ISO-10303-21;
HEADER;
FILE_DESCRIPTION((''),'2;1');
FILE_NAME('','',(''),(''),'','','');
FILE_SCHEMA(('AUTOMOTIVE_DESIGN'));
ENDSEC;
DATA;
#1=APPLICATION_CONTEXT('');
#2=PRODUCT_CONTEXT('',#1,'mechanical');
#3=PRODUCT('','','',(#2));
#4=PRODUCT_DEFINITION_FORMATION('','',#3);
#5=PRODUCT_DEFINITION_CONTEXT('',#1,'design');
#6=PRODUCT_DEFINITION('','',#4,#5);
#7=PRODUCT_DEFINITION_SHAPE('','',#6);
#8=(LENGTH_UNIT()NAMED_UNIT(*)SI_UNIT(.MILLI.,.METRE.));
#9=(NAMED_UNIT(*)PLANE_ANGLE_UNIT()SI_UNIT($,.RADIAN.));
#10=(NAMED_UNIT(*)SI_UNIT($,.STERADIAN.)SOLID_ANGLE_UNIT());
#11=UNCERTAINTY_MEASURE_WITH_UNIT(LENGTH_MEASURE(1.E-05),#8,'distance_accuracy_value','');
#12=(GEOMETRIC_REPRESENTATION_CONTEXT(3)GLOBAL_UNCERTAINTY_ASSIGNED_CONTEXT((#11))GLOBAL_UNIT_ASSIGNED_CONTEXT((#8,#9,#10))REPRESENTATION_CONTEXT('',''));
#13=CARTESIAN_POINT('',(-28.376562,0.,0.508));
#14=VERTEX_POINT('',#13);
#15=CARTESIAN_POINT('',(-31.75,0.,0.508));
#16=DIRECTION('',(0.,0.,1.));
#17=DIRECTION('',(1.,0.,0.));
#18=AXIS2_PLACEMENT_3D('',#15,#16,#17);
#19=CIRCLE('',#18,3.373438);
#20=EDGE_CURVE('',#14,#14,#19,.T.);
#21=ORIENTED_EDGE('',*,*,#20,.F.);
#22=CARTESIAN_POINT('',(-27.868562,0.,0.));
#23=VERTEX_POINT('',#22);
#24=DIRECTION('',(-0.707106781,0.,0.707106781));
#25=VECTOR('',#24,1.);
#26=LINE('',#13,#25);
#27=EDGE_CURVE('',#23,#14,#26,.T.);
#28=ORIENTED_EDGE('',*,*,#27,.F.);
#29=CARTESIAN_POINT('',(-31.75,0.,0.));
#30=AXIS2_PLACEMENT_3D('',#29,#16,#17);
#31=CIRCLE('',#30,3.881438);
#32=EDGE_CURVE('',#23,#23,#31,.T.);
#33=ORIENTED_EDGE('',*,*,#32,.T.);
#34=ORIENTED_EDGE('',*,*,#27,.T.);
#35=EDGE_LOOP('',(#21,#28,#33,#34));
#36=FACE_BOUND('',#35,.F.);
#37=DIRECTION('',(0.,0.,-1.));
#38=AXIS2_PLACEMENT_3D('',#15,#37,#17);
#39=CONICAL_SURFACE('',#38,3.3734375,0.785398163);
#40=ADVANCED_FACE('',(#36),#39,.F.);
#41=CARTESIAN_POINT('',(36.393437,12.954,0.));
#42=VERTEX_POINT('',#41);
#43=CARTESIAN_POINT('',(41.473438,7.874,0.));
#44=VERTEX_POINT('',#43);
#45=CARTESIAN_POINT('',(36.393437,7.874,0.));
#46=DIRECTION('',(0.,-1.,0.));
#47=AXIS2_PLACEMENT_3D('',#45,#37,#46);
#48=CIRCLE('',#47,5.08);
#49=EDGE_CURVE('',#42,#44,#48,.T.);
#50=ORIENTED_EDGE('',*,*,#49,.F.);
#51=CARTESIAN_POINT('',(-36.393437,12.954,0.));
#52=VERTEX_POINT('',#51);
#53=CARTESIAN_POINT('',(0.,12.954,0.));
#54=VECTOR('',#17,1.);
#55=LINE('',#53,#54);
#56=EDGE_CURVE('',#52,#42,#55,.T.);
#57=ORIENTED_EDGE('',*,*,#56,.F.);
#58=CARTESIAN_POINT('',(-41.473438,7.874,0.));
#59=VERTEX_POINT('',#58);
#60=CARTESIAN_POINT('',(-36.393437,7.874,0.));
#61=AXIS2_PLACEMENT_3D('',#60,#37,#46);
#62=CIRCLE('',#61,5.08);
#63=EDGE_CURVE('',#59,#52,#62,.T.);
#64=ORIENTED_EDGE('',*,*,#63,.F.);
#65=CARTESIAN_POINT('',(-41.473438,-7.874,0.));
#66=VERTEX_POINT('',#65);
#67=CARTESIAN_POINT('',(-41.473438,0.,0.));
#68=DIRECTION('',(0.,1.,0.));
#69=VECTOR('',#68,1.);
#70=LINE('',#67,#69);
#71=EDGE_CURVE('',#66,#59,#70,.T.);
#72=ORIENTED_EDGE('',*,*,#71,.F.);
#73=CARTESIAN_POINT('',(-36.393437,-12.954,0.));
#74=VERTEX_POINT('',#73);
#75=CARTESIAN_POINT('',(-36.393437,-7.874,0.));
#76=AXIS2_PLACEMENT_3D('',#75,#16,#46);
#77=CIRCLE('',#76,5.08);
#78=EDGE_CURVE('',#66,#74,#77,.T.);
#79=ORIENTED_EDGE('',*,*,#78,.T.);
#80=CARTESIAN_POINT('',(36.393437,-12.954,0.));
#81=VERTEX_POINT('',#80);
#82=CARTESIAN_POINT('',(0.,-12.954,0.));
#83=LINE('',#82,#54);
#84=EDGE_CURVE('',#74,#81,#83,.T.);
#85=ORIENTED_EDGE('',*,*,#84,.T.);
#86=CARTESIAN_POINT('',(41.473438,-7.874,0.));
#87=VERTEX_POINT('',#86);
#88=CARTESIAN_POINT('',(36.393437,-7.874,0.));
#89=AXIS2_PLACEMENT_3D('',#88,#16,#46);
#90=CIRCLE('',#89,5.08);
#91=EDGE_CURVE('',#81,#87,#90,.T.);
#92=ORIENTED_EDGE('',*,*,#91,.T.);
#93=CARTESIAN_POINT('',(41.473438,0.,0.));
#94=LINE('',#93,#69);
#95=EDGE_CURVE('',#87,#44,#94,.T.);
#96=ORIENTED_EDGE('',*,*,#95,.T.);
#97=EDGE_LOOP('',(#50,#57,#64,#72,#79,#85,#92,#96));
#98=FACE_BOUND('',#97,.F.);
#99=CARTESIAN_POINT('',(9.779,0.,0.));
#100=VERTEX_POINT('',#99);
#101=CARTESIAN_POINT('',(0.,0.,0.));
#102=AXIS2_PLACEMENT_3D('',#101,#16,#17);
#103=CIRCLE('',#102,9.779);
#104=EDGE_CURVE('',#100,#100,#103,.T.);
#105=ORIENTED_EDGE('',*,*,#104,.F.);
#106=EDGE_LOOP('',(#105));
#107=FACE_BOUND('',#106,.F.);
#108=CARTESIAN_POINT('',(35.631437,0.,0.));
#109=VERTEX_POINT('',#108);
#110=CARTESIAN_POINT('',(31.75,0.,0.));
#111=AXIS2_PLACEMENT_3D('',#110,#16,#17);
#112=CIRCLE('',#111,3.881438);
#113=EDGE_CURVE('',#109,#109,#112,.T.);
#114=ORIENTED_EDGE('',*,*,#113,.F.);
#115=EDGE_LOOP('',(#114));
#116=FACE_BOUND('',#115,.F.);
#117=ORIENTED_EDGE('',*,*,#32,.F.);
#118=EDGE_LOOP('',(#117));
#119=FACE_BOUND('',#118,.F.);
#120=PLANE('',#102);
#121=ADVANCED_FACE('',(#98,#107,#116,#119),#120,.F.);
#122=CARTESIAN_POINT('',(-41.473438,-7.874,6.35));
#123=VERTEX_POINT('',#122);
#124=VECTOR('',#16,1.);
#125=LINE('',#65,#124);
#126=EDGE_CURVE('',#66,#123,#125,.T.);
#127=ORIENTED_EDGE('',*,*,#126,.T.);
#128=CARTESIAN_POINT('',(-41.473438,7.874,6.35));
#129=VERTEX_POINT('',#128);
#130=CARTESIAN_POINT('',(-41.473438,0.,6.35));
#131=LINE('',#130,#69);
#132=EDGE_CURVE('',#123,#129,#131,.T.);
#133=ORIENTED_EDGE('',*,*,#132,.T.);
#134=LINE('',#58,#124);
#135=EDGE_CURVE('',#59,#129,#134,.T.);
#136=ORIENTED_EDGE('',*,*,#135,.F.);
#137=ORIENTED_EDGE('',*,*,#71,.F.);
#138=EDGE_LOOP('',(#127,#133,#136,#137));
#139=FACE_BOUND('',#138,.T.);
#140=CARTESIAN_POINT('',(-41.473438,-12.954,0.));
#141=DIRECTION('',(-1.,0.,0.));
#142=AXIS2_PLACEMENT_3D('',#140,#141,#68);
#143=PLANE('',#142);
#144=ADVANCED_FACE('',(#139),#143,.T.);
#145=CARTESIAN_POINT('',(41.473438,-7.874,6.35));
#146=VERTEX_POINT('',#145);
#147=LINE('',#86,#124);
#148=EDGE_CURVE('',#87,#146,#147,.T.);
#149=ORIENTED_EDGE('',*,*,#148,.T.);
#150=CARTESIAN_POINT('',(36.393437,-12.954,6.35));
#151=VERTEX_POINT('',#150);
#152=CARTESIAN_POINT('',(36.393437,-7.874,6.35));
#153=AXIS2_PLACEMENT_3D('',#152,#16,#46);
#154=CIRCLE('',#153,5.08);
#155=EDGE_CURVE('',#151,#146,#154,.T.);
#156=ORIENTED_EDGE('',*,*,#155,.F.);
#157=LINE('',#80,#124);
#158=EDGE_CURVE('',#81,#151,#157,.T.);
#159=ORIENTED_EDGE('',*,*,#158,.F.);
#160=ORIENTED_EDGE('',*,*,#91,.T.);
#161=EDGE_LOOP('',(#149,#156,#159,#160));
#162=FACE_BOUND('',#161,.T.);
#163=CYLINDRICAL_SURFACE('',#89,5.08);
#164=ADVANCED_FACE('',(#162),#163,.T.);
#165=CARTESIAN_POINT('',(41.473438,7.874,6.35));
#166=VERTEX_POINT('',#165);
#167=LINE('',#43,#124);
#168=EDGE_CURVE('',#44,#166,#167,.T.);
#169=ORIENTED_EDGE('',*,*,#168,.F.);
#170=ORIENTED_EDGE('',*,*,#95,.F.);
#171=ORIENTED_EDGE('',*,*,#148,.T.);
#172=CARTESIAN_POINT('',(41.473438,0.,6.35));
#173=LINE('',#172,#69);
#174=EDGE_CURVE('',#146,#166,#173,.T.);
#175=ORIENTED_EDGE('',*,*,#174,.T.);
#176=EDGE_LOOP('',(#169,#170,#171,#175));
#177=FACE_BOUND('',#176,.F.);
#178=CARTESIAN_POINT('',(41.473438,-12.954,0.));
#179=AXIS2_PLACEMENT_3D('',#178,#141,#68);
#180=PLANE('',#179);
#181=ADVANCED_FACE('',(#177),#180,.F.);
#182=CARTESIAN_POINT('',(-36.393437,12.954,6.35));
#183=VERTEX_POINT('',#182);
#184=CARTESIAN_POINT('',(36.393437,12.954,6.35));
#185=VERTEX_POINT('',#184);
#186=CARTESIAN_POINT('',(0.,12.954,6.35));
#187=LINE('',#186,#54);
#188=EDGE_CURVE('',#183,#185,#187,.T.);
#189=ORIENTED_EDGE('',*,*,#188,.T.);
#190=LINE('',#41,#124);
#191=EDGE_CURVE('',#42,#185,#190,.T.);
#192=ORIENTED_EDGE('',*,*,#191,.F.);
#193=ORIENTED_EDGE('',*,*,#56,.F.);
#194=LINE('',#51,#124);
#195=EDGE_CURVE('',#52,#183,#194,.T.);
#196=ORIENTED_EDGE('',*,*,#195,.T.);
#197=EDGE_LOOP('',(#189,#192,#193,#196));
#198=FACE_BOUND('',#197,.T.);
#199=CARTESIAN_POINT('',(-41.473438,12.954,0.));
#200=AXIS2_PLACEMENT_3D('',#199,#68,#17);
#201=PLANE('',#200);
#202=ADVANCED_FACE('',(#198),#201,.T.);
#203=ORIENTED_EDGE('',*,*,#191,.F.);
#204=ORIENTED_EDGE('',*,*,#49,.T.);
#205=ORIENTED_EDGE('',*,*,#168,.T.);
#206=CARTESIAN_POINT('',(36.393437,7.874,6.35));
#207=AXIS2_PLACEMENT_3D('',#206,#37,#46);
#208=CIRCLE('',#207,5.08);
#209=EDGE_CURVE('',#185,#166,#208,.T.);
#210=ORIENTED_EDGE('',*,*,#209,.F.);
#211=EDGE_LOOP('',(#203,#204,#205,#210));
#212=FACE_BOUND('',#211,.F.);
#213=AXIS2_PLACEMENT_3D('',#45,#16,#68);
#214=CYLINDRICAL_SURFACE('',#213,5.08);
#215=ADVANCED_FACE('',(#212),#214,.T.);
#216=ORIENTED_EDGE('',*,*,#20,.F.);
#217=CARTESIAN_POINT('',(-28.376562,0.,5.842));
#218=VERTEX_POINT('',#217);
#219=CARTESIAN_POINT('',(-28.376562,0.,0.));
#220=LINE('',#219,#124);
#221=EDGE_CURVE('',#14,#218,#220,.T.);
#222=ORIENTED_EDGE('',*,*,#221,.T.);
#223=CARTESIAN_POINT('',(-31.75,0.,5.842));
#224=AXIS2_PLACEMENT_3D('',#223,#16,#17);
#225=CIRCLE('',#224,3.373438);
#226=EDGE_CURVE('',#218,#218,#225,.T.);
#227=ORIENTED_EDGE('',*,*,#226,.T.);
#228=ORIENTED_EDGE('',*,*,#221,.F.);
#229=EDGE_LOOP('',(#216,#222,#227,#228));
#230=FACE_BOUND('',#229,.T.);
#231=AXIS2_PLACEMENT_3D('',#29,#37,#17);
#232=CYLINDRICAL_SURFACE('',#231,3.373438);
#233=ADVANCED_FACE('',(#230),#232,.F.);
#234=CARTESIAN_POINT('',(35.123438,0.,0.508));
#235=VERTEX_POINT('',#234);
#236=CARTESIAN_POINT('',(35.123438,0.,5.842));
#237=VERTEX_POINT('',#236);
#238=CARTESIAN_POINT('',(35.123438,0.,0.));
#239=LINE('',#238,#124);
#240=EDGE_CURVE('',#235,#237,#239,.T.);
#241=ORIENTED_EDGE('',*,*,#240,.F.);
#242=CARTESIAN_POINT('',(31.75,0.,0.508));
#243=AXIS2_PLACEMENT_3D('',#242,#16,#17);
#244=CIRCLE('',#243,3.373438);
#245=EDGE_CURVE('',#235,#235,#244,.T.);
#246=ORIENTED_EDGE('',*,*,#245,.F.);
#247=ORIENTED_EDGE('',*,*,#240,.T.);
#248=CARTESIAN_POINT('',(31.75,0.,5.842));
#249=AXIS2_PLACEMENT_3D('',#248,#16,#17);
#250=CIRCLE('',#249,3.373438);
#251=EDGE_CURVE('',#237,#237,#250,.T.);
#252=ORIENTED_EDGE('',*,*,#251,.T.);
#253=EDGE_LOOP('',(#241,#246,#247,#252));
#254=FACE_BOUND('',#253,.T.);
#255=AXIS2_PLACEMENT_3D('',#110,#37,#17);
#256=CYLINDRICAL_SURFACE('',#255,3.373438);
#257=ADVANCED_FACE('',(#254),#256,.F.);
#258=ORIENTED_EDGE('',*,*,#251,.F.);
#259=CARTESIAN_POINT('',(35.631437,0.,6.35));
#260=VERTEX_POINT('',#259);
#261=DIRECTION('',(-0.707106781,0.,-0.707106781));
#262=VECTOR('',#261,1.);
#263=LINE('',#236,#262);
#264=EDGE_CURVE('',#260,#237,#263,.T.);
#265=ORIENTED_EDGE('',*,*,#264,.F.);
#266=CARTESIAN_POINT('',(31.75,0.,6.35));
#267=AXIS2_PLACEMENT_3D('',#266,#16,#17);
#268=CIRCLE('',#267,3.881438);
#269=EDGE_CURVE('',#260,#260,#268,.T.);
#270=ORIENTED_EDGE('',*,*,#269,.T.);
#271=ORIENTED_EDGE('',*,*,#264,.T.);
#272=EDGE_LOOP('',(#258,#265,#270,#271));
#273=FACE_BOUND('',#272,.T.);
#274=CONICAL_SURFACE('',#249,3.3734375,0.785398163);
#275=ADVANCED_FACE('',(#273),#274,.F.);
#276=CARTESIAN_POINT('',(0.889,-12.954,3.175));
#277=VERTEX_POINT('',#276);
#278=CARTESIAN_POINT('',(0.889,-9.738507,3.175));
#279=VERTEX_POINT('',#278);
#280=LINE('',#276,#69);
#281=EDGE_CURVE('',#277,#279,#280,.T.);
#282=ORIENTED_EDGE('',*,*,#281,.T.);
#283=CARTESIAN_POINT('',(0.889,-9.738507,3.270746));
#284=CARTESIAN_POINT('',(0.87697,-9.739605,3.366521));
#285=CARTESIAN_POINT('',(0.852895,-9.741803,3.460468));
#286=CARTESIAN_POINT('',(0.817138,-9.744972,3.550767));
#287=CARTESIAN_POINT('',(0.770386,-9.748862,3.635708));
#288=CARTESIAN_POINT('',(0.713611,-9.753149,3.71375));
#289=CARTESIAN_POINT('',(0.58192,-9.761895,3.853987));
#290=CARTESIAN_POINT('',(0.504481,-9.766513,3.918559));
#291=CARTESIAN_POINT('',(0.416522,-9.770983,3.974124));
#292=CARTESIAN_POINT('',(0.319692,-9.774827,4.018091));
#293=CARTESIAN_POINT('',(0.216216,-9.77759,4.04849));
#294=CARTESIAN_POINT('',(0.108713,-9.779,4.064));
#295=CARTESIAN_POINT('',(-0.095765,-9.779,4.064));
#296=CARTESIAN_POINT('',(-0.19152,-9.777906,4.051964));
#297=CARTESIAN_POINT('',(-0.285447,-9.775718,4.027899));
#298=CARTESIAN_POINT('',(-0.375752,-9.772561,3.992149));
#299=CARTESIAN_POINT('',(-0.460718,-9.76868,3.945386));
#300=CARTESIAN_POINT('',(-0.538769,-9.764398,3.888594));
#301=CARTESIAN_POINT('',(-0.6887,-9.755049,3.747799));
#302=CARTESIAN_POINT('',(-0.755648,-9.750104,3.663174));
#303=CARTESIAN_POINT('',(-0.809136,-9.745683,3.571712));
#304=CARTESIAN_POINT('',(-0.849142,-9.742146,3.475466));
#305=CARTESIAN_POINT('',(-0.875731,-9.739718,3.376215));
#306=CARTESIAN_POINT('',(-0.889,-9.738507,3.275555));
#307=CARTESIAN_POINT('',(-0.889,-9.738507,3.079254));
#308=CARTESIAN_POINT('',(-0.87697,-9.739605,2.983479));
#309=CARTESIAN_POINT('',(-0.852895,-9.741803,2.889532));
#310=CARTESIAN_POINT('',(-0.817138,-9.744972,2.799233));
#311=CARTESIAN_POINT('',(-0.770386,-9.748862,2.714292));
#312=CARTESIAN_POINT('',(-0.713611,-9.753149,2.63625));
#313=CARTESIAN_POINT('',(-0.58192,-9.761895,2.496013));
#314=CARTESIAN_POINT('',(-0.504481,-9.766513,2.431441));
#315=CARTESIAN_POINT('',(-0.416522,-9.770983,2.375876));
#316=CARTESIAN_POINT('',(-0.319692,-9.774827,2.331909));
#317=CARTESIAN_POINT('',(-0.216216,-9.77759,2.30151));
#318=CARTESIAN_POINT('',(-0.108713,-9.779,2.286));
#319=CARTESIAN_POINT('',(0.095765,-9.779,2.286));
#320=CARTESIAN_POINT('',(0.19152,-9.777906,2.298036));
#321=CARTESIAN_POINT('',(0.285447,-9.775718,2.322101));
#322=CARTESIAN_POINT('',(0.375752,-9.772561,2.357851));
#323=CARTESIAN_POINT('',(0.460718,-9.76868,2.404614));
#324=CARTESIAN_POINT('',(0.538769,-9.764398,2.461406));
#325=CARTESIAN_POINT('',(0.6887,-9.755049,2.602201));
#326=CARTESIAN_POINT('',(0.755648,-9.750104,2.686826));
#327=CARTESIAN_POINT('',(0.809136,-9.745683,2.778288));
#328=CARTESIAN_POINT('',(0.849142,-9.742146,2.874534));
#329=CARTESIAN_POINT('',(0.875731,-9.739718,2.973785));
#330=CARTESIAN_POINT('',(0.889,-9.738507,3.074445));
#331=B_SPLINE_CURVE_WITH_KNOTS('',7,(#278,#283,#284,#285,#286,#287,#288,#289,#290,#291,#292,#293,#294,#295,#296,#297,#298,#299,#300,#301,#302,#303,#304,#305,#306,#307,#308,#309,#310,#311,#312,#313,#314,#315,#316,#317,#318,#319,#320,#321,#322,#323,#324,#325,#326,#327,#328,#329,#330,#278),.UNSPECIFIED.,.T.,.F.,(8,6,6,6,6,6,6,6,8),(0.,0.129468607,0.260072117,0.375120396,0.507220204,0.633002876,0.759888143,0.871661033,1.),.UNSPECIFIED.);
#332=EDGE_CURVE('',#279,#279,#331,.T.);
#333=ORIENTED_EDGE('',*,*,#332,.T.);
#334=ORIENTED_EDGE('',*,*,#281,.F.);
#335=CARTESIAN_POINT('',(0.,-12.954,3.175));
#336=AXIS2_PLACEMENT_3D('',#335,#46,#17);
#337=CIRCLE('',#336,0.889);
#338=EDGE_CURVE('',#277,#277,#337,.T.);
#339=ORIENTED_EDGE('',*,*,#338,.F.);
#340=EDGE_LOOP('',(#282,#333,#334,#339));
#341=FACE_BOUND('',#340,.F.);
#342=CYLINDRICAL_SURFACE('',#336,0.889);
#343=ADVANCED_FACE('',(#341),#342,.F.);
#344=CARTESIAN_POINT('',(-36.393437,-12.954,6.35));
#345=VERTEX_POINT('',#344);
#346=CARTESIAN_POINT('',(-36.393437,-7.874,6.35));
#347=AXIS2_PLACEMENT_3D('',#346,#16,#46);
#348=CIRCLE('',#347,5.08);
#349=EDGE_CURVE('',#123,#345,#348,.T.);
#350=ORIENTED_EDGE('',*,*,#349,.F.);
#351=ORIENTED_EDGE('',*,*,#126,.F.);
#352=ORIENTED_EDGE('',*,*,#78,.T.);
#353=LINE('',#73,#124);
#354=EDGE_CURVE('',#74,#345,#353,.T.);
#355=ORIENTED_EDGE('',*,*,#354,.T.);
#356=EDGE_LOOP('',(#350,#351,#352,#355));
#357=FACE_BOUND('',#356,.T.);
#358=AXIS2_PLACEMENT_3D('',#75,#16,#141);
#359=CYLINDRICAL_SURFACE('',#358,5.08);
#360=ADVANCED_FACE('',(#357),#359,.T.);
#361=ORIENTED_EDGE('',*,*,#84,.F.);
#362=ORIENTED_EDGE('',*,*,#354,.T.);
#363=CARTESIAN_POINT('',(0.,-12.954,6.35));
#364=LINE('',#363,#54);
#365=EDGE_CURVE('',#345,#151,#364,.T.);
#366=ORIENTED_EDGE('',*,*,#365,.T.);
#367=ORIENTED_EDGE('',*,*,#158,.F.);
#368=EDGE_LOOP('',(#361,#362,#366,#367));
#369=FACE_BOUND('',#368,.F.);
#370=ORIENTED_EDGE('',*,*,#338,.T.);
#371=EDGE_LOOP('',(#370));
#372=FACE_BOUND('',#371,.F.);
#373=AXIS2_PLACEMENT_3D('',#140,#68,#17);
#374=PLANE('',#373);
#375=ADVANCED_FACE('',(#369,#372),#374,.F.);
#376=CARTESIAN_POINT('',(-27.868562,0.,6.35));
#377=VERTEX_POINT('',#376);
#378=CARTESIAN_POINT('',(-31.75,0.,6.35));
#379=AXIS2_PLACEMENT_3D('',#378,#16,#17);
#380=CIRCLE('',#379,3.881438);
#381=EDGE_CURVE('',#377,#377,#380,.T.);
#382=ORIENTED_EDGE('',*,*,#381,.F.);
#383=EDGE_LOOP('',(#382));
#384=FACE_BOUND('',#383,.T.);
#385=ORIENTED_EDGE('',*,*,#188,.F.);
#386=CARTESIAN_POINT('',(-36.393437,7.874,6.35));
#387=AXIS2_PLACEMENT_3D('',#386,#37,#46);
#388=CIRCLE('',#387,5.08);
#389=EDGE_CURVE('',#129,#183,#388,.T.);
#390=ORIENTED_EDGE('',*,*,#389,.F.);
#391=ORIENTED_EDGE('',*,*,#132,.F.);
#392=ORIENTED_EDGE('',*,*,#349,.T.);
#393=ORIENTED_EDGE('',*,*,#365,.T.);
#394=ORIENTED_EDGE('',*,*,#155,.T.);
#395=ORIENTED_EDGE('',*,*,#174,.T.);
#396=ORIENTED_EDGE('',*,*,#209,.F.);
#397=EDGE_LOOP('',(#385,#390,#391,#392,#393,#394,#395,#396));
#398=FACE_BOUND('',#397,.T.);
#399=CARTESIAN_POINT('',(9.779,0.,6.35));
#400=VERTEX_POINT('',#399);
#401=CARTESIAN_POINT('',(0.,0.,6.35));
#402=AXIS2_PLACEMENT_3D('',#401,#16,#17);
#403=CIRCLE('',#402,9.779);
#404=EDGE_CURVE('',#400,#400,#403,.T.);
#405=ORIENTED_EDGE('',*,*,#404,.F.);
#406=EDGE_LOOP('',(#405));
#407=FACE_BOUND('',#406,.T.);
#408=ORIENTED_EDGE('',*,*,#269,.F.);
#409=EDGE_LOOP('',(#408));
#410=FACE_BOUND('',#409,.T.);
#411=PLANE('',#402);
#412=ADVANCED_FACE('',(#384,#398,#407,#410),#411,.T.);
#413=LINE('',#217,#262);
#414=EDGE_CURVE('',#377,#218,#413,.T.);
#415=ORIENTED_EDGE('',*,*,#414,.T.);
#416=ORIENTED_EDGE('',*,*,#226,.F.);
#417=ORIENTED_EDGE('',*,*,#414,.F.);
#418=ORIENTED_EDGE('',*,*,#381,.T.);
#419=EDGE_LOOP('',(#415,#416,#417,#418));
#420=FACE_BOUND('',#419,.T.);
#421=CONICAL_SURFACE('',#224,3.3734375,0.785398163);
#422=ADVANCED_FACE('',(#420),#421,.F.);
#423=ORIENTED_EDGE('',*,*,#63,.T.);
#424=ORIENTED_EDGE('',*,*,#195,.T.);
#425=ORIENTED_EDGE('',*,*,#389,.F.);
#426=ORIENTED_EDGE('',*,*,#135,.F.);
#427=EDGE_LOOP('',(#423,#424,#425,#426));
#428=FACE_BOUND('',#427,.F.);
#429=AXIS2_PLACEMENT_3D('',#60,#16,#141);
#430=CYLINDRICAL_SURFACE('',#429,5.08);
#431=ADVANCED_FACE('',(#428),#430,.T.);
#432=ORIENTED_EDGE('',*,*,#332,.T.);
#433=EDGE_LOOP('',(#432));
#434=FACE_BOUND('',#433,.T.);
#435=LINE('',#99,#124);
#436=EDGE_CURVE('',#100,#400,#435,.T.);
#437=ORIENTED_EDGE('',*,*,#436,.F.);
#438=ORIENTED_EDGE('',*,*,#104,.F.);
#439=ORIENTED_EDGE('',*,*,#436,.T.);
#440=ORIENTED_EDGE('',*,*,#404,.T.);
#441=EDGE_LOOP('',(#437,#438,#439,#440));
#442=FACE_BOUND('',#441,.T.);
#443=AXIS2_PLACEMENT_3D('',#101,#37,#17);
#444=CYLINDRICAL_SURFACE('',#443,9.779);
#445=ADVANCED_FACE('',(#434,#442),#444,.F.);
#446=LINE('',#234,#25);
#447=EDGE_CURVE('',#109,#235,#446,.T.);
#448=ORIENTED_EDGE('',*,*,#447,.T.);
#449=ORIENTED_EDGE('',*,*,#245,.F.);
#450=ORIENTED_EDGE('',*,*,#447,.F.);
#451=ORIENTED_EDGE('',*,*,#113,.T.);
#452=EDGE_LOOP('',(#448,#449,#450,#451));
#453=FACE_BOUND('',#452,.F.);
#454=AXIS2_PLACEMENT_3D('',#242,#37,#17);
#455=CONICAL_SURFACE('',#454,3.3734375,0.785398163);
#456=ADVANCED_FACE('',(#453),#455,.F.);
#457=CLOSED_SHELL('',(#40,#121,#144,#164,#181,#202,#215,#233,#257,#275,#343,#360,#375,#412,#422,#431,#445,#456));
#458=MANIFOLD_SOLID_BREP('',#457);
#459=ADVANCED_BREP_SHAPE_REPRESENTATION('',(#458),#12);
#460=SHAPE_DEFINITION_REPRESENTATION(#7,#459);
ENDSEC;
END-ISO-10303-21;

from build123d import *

# Parameters (mm, degrees)
F0_W     = 82.946875
F0_H     = 25.908
F0_R     = 3.3734375
F0_R_2   = 9.779
F1_DEPTH = 6.35
F2_R     = 0.889
F3_DEPTH = 3.2164930276
F4_R     = 5.08
F5_SIZE  = 0.508


with BuildPart() as f1:
    # F0 (on Top) → F1 (new body)
    with BuildSketch(Plane.XY):
        Rectangle(F0_W, F0_H)
        with Locations((-31.75, 0)):
            Circle(F0_R, mode=Mode.SUBTRACT)
        Circle(F0_R_2, mode=Mode.SUBTRACT)
        with Locations((31.75, 0)):
            Circle(F0_R, mode=Mode.SUBTRACT)
    extrude(amount=F1_DEPTH)

    # F2 (on face) → F3 (cut, through all)
    with BuildSketch(Plane.XZ.offset(12.954)):
        with Locations((0, 3.175)):
            Circle(F2_R)
    extrude(amount=-F3_DEPTH, mode=Mode.SUBTRACT)

    # F4
    f4_edges = [f1.edges().sort_by_distance(p)[0] for p in [
        (-41.473438, -12.954, 3.175),
        (41.473438, -12.954, 3.175),
        (41.473438, 12.954, 3.175),
        (-41.473438, 12.954, 3.175),
    ]]
    fillet(f4_edges, radius=F4_R)

    # F5
    f5_edges = [f1.edges().sort_by_distance(p)[0] for p in [
        (-35.123438, 0, 6.35),
        (28.376562, 0, 6.35),
        (-35.123438, 0, 0),
        (28.376562, 0, 0),
    ]]
    chamfer(f5_edges, length=F5_SIZE)


solid = f1.part
